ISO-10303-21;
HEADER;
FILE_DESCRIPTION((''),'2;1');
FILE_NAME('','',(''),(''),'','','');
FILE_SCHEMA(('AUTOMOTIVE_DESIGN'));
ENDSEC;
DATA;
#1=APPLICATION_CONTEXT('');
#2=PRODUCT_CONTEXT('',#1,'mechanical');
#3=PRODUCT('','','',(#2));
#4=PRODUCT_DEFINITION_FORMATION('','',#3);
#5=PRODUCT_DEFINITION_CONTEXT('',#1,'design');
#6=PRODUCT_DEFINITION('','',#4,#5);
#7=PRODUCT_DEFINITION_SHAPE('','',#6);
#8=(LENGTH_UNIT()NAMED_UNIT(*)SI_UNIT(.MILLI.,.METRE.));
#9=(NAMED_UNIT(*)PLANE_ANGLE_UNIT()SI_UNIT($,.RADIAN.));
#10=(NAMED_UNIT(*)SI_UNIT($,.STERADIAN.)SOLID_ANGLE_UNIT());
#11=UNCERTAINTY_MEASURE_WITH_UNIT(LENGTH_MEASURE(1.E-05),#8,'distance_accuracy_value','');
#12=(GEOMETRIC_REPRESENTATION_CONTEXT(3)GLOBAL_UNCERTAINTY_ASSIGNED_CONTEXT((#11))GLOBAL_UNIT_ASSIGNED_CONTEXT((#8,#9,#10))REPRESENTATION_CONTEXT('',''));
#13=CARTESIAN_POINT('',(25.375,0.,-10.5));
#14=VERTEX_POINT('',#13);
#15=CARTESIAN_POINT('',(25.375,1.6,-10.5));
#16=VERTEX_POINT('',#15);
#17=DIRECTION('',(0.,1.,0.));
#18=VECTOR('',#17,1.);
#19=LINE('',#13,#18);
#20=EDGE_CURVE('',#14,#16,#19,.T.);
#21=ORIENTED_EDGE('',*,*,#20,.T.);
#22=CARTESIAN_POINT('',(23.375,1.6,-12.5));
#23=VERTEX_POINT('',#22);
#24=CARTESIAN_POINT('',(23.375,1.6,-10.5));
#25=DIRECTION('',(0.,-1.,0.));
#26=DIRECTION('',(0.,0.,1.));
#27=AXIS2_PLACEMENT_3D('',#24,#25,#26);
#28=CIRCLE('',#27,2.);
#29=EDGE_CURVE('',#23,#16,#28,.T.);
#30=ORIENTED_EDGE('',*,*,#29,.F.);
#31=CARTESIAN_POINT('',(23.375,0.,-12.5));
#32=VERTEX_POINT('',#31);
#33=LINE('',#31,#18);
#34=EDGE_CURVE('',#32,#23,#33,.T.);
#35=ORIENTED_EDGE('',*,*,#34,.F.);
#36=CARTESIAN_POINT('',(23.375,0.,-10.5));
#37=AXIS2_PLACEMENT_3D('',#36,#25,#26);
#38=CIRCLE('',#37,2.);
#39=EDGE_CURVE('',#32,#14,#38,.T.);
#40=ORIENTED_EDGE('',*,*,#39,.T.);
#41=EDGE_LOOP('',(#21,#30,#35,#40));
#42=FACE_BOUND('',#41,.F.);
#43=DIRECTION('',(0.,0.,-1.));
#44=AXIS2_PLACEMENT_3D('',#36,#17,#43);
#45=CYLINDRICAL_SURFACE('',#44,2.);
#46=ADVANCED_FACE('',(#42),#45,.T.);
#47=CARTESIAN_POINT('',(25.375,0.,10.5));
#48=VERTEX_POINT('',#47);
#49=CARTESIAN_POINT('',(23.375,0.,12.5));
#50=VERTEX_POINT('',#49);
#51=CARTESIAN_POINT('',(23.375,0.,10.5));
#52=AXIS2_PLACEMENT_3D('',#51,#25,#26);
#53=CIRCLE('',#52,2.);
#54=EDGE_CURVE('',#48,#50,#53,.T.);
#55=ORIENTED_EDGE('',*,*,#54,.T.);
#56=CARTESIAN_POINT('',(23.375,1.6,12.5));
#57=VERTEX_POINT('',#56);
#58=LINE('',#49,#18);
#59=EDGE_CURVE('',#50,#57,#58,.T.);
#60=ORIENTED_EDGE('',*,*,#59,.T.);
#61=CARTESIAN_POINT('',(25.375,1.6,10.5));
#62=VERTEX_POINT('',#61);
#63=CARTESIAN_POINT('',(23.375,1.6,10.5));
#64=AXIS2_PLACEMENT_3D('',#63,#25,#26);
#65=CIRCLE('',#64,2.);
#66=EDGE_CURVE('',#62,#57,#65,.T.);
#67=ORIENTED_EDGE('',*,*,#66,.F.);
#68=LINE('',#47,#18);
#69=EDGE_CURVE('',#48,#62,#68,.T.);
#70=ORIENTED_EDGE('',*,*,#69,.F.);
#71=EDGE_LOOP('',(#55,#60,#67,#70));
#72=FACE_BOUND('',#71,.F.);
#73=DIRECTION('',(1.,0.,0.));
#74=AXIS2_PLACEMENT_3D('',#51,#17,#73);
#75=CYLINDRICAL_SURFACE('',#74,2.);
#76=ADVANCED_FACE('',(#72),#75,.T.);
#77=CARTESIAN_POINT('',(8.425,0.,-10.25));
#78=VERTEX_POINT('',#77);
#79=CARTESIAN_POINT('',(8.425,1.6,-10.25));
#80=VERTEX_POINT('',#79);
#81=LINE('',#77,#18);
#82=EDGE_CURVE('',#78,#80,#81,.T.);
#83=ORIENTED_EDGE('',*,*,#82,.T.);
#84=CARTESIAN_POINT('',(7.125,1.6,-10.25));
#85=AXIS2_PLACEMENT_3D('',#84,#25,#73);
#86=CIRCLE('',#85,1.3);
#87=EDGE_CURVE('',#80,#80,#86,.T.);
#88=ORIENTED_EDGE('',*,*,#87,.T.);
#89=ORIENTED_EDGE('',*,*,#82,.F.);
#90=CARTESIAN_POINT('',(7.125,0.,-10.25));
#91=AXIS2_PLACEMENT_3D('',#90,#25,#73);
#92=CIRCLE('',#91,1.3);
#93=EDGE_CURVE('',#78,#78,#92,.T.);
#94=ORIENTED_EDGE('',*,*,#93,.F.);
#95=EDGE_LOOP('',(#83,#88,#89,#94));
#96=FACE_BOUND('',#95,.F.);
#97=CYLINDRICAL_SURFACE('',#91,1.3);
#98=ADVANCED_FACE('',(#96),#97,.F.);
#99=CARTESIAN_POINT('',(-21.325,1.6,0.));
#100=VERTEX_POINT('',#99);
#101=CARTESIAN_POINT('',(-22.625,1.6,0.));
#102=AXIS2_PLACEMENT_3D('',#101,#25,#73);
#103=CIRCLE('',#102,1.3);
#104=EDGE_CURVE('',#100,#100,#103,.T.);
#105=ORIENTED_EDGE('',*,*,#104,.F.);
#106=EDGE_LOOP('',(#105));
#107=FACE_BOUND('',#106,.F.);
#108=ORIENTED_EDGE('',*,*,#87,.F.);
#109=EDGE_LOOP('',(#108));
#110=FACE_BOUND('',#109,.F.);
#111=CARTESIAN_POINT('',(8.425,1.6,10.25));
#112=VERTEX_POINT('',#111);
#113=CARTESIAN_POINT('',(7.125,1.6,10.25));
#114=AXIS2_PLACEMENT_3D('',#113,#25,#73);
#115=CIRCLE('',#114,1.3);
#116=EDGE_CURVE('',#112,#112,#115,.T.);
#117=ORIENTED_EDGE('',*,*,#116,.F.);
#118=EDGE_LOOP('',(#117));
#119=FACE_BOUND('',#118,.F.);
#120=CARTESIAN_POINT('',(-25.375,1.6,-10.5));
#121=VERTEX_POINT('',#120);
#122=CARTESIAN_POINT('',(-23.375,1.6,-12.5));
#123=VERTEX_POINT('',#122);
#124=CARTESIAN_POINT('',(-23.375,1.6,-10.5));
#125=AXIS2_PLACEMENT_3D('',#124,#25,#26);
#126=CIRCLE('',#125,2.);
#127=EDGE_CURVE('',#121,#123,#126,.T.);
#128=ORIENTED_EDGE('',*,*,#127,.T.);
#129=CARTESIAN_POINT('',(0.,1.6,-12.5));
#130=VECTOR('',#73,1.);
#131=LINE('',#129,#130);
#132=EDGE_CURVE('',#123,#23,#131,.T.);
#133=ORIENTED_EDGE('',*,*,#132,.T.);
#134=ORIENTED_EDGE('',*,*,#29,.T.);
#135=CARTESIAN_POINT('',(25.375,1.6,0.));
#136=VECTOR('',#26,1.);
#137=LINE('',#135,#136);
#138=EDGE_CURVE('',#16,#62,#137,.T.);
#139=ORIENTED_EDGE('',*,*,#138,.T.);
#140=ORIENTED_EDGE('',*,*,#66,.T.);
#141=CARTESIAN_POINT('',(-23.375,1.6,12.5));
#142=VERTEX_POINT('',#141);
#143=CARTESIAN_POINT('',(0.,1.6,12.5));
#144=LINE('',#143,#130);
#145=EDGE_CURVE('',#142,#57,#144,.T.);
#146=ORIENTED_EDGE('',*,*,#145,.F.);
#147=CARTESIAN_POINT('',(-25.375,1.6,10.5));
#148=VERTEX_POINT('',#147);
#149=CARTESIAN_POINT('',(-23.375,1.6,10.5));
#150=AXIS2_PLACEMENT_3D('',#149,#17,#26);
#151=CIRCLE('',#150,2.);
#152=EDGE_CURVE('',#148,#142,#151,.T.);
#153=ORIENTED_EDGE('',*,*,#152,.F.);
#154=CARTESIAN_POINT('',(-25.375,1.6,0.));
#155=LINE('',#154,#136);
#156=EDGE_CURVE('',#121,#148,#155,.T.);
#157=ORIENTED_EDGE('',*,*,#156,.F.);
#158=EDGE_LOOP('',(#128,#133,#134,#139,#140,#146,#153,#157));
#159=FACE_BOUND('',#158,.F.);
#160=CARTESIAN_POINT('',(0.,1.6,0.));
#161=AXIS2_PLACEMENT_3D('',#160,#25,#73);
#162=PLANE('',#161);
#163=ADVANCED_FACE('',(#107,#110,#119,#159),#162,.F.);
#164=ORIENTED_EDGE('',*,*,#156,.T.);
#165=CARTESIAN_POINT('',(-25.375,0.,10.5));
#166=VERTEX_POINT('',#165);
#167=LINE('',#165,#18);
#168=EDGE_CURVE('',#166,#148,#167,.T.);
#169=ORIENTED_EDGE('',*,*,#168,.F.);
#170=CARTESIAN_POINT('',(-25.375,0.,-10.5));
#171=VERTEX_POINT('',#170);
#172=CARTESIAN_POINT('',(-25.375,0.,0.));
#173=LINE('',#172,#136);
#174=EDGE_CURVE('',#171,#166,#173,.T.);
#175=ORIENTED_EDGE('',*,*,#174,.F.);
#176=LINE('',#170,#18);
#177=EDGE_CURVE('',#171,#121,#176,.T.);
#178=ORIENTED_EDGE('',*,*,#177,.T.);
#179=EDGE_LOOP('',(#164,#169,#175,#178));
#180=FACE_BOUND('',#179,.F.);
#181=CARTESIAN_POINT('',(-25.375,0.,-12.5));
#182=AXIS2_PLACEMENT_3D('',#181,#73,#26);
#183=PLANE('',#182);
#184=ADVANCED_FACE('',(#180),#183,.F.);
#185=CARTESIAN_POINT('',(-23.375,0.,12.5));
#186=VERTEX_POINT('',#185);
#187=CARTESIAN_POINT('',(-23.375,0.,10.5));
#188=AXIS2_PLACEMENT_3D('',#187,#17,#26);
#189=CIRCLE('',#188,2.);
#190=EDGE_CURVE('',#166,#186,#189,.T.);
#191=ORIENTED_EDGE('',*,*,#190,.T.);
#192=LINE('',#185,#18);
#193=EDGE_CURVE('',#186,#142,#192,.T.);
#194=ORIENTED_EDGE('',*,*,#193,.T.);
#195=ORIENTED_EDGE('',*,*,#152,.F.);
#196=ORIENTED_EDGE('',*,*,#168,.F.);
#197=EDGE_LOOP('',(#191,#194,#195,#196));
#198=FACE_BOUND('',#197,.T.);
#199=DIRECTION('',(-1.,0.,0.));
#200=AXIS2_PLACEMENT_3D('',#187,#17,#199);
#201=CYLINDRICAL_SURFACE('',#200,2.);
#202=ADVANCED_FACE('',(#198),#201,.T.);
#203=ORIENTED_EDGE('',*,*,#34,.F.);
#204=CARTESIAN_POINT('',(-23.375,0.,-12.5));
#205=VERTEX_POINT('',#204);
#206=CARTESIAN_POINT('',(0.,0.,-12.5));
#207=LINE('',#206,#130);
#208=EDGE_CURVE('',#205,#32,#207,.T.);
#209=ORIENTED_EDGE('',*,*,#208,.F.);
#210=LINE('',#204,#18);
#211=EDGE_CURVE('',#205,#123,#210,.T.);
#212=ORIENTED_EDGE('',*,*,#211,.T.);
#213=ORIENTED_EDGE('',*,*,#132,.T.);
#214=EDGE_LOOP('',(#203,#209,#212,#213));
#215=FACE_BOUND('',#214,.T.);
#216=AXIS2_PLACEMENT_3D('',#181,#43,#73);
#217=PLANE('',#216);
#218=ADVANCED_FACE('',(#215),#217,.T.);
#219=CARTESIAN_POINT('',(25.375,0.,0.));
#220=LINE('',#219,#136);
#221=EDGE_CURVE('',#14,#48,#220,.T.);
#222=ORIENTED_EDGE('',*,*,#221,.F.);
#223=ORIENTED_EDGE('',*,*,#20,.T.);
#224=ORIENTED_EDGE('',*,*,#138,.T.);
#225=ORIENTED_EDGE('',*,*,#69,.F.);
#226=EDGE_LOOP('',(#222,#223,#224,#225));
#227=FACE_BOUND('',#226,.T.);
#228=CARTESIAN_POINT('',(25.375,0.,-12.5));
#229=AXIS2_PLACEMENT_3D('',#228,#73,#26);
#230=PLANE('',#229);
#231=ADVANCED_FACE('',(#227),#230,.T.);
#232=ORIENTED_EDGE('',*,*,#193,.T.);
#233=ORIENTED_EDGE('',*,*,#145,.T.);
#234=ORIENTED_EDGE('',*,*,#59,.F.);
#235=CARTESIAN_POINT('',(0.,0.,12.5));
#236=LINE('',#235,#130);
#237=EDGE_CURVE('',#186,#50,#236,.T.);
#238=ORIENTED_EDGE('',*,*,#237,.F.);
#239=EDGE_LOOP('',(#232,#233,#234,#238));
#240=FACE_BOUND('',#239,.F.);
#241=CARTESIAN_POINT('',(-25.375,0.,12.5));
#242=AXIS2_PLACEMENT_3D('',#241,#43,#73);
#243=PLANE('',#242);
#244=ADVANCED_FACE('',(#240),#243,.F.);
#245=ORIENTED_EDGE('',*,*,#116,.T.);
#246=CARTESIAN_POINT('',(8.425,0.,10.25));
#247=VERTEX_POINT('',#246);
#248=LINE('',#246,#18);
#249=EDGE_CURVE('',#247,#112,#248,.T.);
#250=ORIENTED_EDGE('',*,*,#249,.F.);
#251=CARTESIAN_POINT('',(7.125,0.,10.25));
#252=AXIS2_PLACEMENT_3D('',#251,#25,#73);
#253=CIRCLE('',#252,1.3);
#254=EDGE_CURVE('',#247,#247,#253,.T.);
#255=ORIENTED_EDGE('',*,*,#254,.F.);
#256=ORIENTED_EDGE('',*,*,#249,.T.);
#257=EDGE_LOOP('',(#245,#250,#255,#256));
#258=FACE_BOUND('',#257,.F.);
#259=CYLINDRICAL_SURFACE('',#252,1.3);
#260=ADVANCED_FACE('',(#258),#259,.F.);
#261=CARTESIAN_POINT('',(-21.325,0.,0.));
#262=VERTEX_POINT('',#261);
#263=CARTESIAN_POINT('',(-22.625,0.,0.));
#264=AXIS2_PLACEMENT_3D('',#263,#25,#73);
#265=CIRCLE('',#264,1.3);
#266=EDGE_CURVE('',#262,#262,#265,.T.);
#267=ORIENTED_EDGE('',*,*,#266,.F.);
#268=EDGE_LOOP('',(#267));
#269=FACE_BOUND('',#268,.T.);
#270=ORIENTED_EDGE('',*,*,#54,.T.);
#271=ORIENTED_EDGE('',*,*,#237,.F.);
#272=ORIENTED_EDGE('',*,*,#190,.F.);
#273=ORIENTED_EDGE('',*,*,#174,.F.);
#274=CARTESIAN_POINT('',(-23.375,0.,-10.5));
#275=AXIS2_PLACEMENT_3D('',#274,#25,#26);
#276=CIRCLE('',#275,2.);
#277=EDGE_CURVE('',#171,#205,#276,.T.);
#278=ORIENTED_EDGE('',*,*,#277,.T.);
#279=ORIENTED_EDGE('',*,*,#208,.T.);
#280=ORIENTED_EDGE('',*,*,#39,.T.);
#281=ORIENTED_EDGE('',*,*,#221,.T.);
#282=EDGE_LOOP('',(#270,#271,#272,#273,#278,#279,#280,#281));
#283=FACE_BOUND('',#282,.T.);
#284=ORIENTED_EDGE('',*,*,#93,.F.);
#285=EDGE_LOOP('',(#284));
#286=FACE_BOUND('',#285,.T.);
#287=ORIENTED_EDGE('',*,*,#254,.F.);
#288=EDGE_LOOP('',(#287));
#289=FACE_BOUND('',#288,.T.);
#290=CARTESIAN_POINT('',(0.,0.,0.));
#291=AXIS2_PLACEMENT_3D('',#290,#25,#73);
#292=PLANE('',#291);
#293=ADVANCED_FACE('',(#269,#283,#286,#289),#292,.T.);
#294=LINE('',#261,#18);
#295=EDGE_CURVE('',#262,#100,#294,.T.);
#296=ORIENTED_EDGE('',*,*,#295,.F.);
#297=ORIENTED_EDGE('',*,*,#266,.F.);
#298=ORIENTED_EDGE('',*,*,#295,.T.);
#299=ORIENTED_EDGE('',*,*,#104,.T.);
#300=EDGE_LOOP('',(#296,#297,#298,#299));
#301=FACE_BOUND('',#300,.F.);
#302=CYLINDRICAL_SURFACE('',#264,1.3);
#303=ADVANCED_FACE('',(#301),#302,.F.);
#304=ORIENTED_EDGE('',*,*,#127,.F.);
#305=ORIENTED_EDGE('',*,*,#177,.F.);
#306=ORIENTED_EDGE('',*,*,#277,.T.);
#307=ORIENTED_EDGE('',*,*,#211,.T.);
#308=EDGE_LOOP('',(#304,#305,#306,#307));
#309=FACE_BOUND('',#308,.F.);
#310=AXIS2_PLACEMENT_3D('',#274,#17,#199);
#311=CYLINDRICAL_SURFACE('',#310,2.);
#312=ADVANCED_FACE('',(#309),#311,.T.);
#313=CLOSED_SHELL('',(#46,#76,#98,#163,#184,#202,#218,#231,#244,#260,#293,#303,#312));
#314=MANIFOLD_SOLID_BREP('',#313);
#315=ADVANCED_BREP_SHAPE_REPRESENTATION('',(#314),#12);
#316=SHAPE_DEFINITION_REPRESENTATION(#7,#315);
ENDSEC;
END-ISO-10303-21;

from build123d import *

# Parameters (mm, degrees)
SKETCH_W     = 50.75
SKETCH_H     = 25
PAD_DEPTH    = 1.6
FILLET_R     = 2
SKETCH001_R  = 1.3
POCKET_DEPTH = 1.601


with BuildPart() as part:
    # Sketch → Pad (new body)
    with BuildSketch(Plane.XZ):
        Rectangle(SKETCH_W, SKETCH_H)
    extrude(amount=-PAD_DEPTH)

    # Fillet
    fillet_edges = [part.edges().sort_by_distance(p)[0] for p in [
        (25.375, 0.8, 12.5),
        (-25.375, 0.8, 12.5),
        (-25.375, 0.8, -12.5),
        (25.375, 0.8, -12.5),
    ]]
    fillet(fillet_edges, radius=FILLET_R)

    # Sketch001 → Pocket (cut, through all)
    with BuildSketch(Plane.XZ):
        with Locations((-22.625, 0)):
            Circle(SKETCH001_R)
        with Locations((7.125, 10.25)):
            Circle(SKETCH001_R)
        with Locations((7.125, -10.25)):
            Circle(SKETCH001_R)
    extrude(amount=-POCKET_DEPTH, mode=Mode.SUBTRACT)


solid = part.part
